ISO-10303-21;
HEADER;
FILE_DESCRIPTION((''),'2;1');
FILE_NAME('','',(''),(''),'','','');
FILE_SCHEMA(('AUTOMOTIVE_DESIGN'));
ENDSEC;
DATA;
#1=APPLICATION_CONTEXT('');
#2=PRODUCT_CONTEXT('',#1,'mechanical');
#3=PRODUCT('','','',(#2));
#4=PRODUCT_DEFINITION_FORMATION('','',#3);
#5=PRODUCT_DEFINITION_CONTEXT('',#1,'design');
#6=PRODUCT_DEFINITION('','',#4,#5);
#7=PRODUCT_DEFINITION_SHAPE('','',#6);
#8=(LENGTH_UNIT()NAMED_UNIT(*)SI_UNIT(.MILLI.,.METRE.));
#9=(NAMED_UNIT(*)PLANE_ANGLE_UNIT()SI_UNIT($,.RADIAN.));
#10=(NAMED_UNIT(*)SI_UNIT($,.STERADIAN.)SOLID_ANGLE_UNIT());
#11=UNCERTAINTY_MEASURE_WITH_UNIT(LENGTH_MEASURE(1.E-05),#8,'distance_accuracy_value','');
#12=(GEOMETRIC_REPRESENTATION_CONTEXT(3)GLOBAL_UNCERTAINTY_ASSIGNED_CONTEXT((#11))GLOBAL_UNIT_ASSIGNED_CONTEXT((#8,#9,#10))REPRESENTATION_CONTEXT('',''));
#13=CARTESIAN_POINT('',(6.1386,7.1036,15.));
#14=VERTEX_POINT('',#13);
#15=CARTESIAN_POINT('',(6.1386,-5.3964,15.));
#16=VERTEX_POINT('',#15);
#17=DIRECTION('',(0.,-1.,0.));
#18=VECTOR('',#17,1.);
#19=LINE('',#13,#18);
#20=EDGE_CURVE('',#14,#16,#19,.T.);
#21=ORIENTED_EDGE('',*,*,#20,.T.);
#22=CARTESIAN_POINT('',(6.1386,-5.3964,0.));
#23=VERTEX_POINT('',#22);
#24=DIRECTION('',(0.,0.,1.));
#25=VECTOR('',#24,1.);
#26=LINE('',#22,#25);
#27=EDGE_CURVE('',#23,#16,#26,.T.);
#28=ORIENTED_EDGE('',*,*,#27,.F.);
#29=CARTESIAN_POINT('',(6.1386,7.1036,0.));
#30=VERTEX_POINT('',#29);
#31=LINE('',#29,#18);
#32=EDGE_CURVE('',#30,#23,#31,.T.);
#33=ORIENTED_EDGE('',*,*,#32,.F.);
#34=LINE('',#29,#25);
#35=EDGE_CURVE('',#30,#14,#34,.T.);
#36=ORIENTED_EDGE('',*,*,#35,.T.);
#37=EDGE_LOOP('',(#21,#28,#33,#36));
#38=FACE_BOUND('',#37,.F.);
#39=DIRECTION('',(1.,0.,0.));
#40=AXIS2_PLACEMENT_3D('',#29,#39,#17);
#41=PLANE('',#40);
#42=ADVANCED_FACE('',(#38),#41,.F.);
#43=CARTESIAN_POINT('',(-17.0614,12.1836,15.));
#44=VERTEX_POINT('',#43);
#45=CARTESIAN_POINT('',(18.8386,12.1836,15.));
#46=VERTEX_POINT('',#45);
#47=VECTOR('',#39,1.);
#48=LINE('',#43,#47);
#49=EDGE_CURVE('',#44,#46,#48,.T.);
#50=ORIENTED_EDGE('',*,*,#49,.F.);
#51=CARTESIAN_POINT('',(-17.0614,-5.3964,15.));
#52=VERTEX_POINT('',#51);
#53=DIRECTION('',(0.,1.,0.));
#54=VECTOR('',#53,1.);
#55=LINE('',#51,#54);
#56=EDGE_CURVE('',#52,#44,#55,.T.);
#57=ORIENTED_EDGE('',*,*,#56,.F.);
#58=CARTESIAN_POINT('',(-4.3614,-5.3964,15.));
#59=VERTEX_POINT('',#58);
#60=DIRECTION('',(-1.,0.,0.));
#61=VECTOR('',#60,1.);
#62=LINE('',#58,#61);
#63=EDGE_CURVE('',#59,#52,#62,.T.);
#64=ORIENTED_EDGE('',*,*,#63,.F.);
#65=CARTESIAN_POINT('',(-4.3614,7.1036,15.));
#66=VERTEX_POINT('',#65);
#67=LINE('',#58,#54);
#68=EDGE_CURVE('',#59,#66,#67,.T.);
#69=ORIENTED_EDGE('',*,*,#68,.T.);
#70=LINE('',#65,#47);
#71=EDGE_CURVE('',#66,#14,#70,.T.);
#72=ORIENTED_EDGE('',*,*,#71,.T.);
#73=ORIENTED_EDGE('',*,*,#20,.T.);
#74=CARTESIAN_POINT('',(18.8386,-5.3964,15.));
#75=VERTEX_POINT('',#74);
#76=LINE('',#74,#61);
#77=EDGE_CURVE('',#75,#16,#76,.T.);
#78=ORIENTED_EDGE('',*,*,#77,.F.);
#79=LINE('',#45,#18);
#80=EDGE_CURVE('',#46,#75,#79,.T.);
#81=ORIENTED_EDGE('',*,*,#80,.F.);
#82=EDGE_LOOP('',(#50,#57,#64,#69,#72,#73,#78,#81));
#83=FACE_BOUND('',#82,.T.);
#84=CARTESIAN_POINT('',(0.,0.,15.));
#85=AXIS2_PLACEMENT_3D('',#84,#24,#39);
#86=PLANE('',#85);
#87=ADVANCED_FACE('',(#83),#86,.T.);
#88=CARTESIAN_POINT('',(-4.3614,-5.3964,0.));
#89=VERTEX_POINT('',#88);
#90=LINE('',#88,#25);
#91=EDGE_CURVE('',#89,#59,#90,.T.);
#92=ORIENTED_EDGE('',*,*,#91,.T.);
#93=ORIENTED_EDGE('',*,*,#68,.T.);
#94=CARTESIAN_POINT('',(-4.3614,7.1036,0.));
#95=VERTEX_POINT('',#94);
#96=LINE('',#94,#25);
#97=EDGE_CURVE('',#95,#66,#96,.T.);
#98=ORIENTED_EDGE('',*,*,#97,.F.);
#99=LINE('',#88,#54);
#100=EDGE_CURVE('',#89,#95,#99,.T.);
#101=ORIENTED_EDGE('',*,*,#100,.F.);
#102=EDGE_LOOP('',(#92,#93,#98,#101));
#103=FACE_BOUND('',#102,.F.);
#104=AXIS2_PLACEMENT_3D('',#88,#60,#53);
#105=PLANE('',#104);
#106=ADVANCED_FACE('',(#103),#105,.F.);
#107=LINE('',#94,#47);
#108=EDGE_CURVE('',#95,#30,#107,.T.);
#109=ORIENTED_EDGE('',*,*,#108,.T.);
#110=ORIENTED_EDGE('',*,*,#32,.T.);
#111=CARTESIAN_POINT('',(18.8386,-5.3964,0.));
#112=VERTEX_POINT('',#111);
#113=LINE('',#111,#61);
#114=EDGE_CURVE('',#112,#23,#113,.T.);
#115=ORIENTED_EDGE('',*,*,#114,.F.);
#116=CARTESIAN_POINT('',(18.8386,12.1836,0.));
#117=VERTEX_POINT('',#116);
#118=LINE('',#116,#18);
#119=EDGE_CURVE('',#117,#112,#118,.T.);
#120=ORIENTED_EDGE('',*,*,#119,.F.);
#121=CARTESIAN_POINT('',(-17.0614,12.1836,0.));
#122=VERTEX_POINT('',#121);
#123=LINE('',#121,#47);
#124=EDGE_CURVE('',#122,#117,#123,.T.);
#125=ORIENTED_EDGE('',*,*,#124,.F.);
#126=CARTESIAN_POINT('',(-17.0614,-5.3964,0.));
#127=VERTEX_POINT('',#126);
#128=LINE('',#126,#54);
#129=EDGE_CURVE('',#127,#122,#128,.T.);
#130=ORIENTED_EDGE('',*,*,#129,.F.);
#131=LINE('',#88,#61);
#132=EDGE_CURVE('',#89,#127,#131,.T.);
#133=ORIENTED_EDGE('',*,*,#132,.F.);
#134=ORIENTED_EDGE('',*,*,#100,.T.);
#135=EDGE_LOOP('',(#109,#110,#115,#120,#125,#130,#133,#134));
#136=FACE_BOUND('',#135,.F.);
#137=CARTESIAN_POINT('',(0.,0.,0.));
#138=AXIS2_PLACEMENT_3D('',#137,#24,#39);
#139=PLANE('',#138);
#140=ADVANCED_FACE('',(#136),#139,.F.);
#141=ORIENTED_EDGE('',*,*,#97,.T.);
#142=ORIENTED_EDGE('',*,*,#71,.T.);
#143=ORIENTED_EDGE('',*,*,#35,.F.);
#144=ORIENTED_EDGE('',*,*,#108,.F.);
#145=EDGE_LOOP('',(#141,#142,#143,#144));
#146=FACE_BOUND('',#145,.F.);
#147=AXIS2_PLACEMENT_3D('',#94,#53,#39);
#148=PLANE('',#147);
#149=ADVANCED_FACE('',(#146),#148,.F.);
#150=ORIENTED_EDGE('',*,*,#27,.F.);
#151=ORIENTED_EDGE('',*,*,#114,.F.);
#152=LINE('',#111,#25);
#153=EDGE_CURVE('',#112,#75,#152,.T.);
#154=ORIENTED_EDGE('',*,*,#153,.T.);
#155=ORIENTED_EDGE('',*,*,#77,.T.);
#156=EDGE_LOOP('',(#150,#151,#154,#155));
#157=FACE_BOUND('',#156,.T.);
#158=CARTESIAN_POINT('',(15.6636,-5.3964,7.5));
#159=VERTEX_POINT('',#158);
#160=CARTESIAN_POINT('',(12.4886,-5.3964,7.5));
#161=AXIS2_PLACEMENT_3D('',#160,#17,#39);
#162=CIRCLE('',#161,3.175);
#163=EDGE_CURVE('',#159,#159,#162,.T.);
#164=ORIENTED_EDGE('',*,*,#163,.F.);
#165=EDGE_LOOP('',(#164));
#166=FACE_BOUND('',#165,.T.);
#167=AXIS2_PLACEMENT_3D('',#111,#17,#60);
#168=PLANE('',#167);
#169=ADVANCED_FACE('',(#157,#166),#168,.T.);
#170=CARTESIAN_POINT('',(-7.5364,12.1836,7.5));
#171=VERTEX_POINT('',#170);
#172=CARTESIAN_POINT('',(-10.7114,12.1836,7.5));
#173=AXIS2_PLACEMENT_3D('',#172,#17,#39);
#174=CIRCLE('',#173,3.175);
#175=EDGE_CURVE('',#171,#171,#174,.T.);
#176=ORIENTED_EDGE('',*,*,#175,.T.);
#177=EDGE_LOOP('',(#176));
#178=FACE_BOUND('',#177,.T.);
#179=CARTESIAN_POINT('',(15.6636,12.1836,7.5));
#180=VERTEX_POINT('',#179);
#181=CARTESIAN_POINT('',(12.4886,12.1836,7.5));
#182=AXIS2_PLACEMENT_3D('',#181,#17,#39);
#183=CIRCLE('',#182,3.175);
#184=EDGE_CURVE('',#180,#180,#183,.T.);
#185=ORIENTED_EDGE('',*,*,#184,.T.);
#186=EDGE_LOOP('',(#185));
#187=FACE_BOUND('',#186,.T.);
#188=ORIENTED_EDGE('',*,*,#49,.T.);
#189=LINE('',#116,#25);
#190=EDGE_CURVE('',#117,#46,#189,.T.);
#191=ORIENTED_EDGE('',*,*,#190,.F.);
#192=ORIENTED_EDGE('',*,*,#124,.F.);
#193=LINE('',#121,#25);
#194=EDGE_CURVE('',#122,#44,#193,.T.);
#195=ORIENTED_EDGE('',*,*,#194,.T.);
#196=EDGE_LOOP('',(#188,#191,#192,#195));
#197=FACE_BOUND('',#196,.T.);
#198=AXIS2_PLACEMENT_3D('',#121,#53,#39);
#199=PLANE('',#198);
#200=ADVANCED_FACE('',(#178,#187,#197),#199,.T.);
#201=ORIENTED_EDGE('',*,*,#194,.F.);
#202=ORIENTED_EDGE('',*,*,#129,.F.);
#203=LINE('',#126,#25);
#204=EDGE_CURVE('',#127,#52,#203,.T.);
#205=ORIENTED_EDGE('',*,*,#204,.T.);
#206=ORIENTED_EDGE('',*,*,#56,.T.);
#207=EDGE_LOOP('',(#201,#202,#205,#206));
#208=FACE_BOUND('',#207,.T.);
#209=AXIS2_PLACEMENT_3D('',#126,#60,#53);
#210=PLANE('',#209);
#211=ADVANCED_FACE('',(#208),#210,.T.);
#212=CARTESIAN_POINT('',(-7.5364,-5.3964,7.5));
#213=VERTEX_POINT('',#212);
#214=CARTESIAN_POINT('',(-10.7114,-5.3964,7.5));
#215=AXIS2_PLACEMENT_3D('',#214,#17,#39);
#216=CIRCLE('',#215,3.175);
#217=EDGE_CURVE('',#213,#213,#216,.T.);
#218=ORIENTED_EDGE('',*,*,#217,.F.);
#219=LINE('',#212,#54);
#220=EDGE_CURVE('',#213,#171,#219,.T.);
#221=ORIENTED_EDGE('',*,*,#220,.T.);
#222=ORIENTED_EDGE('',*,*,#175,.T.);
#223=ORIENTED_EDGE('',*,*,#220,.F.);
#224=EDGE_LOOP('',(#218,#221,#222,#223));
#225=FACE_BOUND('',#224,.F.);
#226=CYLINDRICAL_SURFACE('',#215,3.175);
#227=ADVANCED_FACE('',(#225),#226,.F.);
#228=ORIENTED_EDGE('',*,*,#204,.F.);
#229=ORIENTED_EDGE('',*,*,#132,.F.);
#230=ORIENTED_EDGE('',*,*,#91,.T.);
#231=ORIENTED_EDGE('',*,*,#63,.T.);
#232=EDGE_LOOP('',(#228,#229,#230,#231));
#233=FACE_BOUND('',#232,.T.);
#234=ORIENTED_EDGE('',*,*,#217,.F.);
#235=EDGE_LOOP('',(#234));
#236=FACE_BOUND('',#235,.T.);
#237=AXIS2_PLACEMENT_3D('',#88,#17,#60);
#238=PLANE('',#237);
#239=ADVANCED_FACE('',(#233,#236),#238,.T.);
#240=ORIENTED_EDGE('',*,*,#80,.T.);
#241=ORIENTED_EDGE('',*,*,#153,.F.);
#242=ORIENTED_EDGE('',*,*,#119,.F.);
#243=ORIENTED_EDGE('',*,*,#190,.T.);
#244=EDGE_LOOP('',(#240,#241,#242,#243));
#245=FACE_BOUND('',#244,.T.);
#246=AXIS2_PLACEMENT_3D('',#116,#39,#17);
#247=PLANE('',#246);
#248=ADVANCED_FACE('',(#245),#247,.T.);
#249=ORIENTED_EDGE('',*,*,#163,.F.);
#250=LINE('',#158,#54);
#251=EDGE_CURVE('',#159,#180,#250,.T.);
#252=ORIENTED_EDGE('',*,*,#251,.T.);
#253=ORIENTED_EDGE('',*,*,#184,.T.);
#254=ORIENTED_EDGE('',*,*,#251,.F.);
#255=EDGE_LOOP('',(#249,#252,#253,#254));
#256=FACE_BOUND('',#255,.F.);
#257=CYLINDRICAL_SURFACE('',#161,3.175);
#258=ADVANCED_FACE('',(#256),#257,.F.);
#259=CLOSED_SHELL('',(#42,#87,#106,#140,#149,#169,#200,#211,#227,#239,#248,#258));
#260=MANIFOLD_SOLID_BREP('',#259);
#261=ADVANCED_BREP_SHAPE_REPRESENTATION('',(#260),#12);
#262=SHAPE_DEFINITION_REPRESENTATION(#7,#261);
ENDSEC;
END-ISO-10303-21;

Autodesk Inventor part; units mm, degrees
ref_plane "YZ Plane" through (0, 0, 0) normal (1, 0, 0) x (0, 1, 0)
ref_plane "XZ Plane" through (0, 0, 0) normal (0, 1, 0) x (-1, 0, 0)
ref_plane "XY Plane" through (0, 0, 0) normal (0, 0, 1) x (1, 0, 0)
sketch "Sketch1" plane through (0, 0, 0) normal (0, 0, 1) x (1, 0, 0)
  line L0 (-4.3614, 7.1036) -> (6.1386, 7.1036)
  line L1 (6.1386, 7.1036) -> (6.1386, -5.3964)
  line L2 (-4.3614, -5.3964) -> (-4.3614, 7.1036)
  line L3 (-4.3614, -5.3964) -> (-17.0614, -5.3964)
  line L4 (-4.3614, -5.3964) -> (8.3386, -5.3964) construction
  line L5 (-17.0614, -5.3964) -> (-17.0614, 12.1836)
  line L6 (-17.0614, 12.1836) -> (18.8386, 12.1836)
  line L7 (18.8386, 12.1836) -> (18.8386, -5.3964)
  line L8 (18.8386, -5.3964) -> (6.1386, -5.3964)
  point P0 (0, 0)
  dimension "d0" = 10.5
  dimension "d1" = 12.5
  dimension "d2" = 12.7
  dimension "d3" = 180
  dimension "d6" = 12.7
  dimension "d9" = 5.08
extrude "Extrusion1" add sketch "Sketch1" along normal blind 15
sketch "Sketch2" plane through (6.1386, -5.3964, 0) normal (0, -1, 0) x (1, 0, 0)
  circle A0 centre (6.35, 7.5) radius 3.175
  circle A1 centre (-16.85, 7.5) radius 3.175
  line L0 (0, 0) -> (12.7, 0) projected
  line L1 (-23.2, 0) -> (-23.2, 15) projected
  line L2 (-23.2, 15) -> (-10.5, 15) projected
  point P0 (-6.1386, 0)
  dimension "d12" = 6.35
  dimension "d13" = 6.35
  dimension "d14" = 7.5
  dimension "d15" = 6.35
  dimension "d16" = 6.35
  dimension "d17" = 7.5
extrude "Extrusion2" cut sketch "Sketch2" against normal blind 21.5125
properties part number "motor mount"
